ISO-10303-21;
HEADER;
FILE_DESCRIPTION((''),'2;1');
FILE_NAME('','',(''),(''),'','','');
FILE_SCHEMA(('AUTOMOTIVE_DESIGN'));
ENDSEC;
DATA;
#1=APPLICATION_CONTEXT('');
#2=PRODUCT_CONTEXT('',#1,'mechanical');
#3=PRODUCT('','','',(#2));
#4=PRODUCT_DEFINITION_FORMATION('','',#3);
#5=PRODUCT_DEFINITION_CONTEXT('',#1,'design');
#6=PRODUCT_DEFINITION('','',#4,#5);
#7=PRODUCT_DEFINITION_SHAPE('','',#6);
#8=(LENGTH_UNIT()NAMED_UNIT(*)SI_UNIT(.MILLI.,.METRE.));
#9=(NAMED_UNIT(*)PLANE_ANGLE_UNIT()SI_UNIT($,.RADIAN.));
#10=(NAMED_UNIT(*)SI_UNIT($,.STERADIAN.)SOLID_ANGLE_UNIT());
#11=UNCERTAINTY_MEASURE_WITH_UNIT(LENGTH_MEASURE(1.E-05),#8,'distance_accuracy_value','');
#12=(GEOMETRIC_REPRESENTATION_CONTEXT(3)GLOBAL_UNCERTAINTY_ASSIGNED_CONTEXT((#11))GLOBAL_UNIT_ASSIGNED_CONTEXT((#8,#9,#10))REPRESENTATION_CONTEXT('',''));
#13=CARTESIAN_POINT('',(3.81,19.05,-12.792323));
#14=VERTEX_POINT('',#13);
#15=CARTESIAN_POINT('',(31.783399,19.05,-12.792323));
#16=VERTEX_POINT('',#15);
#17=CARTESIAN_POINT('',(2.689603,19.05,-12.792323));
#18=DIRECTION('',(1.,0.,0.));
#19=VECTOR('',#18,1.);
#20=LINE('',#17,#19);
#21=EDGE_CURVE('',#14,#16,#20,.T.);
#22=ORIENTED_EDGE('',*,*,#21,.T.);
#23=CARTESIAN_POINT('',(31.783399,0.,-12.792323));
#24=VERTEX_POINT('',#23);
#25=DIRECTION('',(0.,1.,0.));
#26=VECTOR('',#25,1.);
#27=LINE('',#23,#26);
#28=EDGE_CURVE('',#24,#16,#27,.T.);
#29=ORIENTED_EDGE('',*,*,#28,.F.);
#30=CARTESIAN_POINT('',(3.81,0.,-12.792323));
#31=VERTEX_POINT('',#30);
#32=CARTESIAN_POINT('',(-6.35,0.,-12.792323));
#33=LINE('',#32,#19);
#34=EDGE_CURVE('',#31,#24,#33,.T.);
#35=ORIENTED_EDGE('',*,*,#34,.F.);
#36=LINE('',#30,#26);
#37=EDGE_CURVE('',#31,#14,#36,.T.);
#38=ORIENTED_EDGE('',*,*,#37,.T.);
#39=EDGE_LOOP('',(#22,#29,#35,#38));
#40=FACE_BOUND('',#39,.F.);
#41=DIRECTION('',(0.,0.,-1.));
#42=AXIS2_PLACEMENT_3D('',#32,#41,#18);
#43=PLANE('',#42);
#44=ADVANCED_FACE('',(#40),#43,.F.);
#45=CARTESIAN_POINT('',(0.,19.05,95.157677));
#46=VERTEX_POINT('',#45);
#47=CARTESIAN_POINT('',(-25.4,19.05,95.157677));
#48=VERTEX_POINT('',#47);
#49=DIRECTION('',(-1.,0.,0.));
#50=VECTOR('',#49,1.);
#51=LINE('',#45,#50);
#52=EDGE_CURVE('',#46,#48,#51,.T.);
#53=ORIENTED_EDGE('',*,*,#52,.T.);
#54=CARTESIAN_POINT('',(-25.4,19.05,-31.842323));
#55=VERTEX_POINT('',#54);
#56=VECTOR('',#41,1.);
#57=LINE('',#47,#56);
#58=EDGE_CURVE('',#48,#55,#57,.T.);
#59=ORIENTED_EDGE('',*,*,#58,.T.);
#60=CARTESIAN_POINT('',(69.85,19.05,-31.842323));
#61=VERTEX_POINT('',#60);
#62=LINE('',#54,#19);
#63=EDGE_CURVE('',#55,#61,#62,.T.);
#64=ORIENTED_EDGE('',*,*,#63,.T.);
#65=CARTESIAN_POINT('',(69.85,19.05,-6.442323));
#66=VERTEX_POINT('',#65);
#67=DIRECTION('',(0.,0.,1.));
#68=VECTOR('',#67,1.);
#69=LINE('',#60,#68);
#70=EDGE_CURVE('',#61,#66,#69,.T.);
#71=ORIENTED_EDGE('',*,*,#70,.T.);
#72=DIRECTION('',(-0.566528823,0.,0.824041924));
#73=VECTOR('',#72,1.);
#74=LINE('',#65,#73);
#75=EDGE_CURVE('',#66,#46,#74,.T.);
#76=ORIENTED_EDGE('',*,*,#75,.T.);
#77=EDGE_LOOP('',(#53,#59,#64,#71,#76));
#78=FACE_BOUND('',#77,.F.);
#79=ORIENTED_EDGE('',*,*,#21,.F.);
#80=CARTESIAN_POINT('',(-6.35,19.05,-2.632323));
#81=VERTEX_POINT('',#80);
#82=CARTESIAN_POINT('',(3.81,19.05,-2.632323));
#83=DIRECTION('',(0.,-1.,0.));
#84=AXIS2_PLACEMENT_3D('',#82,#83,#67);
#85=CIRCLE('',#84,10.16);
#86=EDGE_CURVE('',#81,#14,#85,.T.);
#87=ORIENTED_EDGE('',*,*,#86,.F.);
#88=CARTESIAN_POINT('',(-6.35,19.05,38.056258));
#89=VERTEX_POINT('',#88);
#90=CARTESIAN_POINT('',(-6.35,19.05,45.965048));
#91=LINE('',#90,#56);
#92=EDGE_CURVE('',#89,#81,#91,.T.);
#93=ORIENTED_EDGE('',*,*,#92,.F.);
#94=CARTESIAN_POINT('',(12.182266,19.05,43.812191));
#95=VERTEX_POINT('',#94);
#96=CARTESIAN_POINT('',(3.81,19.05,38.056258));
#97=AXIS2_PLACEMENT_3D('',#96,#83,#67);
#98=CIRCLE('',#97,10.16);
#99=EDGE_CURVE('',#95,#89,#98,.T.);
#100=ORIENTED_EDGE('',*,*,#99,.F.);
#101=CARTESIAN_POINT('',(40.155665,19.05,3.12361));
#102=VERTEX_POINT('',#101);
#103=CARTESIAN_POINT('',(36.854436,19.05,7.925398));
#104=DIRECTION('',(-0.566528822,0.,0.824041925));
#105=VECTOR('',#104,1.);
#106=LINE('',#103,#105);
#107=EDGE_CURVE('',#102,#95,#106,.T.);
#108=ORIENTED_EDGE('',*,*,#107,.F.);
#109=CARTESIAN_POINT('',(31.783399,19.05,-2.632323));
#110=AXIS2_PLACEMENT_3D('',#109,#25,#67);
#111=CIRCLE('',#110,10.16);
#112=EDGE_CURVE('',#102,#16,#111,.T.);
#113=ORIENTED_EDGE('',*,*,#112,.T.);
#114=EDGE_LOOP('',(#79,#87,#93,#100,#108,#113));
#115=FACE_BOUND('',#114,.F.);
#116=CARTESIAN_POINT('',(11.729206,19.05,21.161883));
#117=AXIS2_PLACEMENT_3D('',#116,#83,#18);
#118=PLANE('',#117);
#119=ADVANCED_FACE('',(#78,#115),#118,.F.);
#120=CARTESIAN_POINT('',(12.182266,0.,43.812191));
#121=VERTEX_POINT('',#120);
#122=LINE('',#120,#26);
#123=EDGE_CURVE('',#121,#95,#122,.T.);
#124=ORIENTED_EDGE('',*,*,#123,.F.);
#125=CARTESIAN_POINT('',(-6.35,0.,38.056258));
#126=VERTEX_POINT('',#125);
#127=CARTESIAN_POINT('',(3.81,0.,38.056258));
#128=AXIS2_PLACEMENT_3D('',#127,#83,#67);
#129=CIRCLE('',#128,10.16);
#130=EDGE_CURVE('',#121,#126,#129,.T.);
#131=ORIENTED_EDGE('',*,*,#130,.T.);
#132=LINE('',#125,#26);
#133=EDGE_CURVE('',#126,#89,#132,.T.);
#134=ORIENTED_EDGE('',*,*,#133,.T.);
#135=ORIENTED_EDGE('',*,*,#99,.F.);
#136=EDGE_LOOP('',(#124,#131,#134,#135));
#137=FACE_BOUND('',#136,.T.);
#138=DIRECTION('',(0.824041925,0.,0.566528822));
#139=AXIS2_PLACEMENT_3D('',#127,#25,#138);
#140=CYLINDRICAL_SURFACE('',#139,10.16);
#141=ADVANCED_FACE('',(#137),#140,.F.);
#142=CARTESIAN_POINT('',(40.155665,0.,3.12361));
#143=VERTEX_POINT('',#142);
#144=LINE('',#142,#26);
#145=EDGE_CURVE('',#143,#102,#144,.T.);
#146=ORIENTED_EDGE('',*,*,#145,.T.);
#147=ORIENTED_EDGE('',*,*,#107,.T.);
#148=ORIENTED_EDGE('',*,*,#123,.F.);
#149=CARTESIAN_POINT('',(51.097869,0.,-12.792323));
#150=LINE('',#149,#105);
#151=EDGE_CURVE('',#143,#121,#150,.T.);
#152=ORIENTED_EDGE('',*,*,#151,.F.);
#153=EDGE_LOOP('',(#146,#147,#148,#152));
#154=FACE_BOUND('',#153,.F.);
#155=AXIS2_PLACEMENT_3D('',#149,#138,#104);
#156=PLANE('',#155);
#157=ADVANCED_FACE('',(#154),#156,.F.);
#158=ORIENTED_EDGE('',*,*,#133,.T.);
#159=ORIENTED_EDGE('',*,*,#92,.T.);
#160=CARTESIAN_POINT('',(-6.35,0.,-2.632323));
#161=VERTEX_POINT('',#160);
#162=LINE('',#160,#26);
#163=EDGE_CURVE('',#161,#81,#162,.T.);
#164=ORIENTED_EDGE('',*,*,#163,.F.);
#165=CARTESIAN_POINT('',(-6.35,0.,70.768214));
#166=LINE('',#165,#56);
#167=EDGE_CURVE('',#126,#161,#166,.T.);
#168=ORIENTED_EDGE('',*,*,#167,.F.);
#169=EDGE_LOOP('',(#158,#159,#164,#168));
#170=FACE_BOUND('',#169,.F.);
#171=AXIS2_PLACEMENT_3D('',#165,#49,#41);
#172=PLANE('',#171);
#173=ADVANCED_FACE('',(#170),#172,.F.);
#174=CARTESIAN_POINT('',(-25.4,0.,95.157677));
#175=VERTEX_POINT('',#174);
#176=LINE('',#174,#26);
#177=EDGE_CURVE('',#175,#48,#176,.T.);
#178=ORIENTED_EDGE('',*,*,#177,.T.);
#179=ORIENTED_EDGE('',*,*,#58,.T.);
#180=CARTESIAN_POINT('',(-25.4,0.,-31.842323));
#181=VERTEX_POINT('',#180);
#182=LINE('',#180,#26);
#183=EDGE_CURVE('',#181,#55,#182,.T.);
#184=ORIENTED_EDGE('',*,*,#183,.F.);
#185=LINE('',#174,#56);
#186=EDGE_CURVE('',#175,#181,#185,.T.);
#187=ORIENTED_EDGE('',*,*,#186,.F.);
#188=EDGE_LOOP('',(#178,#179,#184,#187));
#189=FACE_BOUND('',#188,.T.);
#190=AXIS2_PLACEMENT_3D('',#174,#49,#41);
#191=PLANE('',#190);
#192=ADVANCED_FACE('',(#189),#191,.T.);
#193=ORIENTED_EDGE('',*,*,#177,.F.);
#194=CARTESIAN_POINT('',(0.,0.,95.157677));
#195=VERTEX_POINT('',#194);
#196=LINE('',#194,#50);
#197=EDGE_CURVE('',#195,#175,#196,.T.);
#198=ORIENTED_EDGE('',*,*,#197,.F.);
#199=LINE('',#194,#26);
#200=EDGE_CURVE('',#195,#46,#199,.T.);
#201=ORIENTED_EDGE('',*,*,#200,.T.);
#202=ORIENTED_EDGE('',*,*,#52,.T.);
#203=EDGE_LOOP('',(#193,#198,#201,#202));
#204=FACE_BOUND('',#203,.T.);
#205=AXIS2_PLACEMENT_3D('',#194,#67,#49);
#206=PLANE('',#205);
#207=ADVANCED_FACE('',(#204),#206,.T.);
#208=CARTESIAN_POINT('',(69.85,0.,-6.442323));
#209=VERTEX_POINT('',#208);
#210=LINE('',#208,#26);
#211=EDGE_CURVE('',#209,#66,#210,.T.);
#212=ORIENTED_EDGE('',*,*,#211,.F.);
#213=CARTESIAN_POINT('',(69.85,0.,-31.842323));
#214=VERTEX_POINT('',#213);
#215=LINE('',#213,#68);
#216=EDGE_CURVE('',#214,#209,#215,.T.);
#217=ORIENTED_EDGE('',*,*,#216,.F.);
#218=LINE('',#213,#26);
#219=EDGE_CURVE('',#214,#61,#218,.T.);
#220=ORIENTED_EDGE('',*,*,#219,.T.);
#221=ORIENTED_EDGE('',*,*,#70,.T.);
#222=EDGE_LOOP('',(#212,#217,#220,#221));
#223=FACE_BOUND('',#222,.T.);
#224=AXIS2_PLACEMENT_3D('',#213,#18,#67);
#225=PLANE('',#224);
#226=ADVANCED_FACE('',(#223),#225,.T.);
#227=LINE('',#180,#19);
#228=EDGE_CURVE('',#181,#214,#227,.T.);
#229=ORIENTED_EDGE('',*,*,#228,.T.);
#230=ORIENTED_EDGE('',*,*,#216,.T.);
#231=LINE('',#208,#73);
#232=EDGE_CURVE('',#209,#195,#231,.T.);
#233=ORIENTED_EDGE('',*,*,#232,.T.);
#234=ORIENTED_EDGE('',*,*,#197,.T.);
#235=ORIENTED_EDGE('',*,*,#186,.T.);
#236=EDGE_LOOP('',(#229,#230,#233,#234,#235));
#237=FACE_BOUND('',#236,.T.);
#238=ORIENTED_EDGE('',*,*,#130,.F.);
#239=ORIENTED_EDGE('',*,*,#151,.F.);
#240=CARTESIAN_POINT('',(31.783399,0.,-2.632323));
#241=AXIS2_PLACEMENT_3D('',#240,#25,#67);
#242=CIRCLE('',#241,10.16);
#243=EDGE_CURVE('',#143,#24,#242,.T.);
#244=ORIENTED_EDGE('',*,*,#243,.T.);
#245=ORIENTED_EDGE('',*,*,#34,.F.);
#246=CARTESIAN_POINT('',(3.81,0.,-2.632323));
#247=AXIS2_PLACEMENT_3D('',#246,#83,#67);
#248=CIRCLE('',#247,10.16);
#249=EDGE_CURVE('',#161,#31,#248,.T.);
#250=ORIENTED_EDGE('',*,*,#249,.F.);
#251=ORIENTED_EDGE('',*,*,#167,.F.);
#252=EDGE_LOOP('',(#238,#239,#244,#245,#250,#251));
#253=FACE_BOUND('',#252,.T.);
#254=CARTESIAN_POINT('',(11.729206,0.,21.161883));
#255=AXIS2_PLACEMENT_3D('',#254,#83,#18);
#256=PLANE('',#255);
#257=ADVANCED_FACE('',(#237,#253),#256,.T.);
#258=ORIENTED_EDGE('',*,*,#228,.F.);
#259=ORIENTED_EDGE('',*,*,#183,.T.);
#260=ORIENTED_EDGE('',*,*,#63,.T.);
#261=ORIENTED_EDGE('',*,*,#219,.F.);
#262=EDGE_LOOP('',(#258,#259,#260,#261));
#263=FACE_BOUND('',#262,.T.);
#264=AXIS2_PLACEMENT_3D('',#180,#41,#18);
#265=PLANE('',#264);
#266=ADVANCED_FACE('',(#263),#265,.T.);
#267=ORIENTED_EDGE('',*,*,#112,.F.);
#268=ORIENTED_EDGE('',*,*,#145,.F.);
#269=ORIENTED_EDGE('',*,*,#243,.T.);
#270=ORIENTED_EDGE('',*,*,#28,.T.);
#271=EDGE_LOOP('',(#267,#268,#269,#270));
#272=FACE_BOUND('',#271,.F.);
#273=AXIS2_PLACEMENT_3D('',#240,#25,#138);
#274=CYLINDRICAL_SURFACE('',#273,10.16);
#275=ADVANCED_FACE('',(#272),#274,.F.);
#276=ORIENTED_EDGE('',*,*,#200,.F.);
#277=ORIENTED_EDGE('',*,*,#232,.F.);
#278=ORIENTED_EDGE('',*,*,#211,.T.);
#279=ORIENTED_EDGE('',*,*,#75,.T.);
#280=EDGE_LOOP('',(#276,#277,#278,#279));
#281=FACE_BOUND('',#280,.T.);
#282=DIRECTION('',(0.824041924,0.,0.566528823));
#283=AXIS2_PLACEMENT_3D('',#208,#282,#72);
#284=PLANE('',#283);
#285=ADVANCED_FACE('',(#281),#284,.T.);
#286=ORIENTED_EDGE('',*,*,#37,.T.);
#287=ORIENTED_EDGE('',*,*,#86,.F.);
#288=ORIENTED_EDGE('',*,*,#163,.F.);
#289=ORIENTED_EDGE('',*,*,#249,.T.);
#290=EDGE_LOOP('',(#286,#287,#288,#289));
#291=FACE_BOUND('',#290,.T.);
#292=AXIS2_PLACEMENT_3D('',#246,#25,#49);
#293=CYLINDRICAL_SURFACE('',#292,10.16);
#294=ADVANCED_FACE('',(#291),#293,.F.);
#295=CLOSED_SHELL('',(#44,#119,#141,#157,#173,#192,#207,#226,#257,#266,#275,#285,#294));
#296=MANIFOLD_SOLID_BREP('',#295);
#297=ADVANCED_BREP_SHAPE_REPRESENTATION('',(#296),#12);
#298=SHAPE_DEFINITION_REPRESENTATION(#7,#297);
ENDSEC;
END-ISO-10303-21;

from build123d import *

# Parameters (mm, degrees)
F2_DEPTH = 19.05
F3_DEPTH = 19.051
F4_R     = 10.16
F5_R     = 10.16


with BuildPart() as f2:
    # F0 (on Front) → F2 (new body)
    with BuildSketch(Plane.XZ):
        Polygon((0, 95.157677), (-25.4, 95.157677), (-25.4, -31.842323), (69.85, -31.842323), (69.85, -6.442323), align=None)
    extrude(amount=-F2_DEPTH)

    # F1 (on face) → F3 (cut, through all)
    with BuildSketch(Plane.XZ):
        Polygon((51.097869, -12.792323), (-6.35, 70.768214), (-6.35, -12.792323), align=None)
    extrude(amount=-F3_DEPTH, mode=Mode.SUBTRACT)

    # F4
    f4_edges = [f2.edges().sort_by_distance(p)[0] for p in [
        (-6.35, 9.525, -12.792323),
        (51.097869, 9.525, -12.792323),
    ]]
    fillet(f4_edges, radius=F4_R)

    # F5
    f5_edges = [f2.edges().sort_by_distance(p)[0] for p in [
        (-6.35, 9.525, 70.768214),
    ]]
    fillet(f5_edges, radius=F5_R)


solid = f2.part
